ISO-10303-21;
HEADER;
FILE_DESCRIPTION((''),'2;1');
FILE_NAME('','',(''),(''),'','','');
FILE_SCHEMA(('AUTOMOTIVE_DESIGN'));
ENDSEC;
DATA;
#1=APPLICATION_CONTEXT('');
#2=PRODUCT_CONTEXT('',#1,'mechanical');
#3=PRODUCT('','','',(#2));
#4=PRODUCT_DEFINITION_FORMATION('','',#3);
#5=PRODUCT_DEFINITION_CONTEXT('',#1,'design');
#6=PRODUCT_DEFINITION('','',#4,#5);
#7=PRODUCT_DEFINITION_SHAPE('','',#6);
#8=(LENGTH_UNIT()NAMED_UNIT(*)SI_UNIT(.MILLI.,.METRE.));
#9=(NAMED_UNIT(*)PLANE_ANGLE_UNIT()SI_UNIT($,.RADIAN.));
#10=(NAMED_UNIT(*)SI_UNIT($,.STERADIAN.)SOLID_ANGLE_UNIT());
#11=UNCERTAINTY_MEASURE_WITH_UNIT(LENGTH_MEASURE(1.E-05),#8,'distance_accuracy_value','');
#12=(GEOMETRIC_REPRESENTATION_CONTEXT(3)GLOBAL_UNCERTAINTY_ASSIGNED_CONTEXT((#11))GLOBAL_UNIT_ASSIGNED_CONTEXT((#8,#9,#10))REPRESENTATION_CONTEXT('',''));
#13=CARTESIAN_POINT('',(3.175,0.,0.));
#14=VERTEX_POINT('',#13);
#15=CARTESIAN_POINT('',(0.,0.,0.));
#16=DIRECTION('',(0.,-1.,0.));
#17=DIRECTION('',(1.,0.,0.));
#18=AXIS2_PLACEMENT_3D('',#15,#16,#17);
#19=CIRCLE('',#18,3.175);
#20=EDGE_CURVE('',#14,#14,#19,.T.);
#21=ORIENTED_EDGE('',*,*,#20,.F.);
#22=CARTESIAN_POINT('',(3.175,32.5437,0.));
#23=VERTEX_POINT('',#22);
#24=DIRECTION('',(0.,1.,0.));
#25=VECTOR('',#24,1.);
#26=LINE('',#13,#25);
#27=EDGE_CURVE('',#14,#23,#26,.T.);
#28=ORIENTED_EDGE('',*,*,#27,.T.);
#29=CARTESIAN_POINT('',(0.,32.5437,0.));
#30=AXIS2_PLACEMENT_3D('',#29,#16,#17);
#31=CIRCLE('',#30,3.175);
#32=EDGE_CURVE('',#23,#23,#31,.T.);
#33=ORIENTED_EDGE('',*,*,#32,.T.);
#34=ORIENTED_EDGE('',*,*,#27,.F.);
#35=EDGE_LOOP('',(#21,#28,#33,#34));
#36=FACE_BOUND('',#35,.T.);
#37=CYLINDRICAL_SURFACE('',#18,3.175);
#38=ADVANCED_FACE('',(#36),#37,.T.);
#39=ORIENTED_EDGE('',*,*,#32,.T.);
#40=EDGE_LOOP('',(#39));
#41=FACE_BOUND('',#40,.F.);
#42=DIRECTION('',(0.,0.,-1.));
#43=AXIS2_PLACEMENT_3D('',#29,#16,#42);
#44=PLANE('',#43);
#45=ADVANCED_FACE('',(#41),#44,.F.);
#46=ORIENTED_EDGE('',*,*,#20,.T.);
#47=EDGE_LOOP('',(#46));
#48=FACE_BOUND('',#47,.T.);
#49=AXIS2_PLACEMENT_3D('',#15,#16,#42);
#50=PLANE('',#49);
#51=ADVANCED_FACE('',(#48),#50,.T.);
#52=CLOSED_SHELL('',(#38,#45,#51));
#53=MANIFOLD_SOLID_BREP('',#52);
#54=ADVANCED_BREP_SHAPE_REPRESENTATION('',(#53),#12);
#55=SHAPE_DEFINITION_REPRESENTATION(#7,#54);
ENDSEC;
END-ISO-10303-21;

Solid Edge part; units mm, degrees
sketch "Sketch1" plane through (0, 0, 0) normal (0, -1, 0) x (1, 0, 0)
  circle A0 centre (0, 0) radius 3.175
  dimension "D1" = 6.35
extrude "Protrusion1" add sketch "Sketch1" against normal blind 32.5437
properties part number "93890A421"
